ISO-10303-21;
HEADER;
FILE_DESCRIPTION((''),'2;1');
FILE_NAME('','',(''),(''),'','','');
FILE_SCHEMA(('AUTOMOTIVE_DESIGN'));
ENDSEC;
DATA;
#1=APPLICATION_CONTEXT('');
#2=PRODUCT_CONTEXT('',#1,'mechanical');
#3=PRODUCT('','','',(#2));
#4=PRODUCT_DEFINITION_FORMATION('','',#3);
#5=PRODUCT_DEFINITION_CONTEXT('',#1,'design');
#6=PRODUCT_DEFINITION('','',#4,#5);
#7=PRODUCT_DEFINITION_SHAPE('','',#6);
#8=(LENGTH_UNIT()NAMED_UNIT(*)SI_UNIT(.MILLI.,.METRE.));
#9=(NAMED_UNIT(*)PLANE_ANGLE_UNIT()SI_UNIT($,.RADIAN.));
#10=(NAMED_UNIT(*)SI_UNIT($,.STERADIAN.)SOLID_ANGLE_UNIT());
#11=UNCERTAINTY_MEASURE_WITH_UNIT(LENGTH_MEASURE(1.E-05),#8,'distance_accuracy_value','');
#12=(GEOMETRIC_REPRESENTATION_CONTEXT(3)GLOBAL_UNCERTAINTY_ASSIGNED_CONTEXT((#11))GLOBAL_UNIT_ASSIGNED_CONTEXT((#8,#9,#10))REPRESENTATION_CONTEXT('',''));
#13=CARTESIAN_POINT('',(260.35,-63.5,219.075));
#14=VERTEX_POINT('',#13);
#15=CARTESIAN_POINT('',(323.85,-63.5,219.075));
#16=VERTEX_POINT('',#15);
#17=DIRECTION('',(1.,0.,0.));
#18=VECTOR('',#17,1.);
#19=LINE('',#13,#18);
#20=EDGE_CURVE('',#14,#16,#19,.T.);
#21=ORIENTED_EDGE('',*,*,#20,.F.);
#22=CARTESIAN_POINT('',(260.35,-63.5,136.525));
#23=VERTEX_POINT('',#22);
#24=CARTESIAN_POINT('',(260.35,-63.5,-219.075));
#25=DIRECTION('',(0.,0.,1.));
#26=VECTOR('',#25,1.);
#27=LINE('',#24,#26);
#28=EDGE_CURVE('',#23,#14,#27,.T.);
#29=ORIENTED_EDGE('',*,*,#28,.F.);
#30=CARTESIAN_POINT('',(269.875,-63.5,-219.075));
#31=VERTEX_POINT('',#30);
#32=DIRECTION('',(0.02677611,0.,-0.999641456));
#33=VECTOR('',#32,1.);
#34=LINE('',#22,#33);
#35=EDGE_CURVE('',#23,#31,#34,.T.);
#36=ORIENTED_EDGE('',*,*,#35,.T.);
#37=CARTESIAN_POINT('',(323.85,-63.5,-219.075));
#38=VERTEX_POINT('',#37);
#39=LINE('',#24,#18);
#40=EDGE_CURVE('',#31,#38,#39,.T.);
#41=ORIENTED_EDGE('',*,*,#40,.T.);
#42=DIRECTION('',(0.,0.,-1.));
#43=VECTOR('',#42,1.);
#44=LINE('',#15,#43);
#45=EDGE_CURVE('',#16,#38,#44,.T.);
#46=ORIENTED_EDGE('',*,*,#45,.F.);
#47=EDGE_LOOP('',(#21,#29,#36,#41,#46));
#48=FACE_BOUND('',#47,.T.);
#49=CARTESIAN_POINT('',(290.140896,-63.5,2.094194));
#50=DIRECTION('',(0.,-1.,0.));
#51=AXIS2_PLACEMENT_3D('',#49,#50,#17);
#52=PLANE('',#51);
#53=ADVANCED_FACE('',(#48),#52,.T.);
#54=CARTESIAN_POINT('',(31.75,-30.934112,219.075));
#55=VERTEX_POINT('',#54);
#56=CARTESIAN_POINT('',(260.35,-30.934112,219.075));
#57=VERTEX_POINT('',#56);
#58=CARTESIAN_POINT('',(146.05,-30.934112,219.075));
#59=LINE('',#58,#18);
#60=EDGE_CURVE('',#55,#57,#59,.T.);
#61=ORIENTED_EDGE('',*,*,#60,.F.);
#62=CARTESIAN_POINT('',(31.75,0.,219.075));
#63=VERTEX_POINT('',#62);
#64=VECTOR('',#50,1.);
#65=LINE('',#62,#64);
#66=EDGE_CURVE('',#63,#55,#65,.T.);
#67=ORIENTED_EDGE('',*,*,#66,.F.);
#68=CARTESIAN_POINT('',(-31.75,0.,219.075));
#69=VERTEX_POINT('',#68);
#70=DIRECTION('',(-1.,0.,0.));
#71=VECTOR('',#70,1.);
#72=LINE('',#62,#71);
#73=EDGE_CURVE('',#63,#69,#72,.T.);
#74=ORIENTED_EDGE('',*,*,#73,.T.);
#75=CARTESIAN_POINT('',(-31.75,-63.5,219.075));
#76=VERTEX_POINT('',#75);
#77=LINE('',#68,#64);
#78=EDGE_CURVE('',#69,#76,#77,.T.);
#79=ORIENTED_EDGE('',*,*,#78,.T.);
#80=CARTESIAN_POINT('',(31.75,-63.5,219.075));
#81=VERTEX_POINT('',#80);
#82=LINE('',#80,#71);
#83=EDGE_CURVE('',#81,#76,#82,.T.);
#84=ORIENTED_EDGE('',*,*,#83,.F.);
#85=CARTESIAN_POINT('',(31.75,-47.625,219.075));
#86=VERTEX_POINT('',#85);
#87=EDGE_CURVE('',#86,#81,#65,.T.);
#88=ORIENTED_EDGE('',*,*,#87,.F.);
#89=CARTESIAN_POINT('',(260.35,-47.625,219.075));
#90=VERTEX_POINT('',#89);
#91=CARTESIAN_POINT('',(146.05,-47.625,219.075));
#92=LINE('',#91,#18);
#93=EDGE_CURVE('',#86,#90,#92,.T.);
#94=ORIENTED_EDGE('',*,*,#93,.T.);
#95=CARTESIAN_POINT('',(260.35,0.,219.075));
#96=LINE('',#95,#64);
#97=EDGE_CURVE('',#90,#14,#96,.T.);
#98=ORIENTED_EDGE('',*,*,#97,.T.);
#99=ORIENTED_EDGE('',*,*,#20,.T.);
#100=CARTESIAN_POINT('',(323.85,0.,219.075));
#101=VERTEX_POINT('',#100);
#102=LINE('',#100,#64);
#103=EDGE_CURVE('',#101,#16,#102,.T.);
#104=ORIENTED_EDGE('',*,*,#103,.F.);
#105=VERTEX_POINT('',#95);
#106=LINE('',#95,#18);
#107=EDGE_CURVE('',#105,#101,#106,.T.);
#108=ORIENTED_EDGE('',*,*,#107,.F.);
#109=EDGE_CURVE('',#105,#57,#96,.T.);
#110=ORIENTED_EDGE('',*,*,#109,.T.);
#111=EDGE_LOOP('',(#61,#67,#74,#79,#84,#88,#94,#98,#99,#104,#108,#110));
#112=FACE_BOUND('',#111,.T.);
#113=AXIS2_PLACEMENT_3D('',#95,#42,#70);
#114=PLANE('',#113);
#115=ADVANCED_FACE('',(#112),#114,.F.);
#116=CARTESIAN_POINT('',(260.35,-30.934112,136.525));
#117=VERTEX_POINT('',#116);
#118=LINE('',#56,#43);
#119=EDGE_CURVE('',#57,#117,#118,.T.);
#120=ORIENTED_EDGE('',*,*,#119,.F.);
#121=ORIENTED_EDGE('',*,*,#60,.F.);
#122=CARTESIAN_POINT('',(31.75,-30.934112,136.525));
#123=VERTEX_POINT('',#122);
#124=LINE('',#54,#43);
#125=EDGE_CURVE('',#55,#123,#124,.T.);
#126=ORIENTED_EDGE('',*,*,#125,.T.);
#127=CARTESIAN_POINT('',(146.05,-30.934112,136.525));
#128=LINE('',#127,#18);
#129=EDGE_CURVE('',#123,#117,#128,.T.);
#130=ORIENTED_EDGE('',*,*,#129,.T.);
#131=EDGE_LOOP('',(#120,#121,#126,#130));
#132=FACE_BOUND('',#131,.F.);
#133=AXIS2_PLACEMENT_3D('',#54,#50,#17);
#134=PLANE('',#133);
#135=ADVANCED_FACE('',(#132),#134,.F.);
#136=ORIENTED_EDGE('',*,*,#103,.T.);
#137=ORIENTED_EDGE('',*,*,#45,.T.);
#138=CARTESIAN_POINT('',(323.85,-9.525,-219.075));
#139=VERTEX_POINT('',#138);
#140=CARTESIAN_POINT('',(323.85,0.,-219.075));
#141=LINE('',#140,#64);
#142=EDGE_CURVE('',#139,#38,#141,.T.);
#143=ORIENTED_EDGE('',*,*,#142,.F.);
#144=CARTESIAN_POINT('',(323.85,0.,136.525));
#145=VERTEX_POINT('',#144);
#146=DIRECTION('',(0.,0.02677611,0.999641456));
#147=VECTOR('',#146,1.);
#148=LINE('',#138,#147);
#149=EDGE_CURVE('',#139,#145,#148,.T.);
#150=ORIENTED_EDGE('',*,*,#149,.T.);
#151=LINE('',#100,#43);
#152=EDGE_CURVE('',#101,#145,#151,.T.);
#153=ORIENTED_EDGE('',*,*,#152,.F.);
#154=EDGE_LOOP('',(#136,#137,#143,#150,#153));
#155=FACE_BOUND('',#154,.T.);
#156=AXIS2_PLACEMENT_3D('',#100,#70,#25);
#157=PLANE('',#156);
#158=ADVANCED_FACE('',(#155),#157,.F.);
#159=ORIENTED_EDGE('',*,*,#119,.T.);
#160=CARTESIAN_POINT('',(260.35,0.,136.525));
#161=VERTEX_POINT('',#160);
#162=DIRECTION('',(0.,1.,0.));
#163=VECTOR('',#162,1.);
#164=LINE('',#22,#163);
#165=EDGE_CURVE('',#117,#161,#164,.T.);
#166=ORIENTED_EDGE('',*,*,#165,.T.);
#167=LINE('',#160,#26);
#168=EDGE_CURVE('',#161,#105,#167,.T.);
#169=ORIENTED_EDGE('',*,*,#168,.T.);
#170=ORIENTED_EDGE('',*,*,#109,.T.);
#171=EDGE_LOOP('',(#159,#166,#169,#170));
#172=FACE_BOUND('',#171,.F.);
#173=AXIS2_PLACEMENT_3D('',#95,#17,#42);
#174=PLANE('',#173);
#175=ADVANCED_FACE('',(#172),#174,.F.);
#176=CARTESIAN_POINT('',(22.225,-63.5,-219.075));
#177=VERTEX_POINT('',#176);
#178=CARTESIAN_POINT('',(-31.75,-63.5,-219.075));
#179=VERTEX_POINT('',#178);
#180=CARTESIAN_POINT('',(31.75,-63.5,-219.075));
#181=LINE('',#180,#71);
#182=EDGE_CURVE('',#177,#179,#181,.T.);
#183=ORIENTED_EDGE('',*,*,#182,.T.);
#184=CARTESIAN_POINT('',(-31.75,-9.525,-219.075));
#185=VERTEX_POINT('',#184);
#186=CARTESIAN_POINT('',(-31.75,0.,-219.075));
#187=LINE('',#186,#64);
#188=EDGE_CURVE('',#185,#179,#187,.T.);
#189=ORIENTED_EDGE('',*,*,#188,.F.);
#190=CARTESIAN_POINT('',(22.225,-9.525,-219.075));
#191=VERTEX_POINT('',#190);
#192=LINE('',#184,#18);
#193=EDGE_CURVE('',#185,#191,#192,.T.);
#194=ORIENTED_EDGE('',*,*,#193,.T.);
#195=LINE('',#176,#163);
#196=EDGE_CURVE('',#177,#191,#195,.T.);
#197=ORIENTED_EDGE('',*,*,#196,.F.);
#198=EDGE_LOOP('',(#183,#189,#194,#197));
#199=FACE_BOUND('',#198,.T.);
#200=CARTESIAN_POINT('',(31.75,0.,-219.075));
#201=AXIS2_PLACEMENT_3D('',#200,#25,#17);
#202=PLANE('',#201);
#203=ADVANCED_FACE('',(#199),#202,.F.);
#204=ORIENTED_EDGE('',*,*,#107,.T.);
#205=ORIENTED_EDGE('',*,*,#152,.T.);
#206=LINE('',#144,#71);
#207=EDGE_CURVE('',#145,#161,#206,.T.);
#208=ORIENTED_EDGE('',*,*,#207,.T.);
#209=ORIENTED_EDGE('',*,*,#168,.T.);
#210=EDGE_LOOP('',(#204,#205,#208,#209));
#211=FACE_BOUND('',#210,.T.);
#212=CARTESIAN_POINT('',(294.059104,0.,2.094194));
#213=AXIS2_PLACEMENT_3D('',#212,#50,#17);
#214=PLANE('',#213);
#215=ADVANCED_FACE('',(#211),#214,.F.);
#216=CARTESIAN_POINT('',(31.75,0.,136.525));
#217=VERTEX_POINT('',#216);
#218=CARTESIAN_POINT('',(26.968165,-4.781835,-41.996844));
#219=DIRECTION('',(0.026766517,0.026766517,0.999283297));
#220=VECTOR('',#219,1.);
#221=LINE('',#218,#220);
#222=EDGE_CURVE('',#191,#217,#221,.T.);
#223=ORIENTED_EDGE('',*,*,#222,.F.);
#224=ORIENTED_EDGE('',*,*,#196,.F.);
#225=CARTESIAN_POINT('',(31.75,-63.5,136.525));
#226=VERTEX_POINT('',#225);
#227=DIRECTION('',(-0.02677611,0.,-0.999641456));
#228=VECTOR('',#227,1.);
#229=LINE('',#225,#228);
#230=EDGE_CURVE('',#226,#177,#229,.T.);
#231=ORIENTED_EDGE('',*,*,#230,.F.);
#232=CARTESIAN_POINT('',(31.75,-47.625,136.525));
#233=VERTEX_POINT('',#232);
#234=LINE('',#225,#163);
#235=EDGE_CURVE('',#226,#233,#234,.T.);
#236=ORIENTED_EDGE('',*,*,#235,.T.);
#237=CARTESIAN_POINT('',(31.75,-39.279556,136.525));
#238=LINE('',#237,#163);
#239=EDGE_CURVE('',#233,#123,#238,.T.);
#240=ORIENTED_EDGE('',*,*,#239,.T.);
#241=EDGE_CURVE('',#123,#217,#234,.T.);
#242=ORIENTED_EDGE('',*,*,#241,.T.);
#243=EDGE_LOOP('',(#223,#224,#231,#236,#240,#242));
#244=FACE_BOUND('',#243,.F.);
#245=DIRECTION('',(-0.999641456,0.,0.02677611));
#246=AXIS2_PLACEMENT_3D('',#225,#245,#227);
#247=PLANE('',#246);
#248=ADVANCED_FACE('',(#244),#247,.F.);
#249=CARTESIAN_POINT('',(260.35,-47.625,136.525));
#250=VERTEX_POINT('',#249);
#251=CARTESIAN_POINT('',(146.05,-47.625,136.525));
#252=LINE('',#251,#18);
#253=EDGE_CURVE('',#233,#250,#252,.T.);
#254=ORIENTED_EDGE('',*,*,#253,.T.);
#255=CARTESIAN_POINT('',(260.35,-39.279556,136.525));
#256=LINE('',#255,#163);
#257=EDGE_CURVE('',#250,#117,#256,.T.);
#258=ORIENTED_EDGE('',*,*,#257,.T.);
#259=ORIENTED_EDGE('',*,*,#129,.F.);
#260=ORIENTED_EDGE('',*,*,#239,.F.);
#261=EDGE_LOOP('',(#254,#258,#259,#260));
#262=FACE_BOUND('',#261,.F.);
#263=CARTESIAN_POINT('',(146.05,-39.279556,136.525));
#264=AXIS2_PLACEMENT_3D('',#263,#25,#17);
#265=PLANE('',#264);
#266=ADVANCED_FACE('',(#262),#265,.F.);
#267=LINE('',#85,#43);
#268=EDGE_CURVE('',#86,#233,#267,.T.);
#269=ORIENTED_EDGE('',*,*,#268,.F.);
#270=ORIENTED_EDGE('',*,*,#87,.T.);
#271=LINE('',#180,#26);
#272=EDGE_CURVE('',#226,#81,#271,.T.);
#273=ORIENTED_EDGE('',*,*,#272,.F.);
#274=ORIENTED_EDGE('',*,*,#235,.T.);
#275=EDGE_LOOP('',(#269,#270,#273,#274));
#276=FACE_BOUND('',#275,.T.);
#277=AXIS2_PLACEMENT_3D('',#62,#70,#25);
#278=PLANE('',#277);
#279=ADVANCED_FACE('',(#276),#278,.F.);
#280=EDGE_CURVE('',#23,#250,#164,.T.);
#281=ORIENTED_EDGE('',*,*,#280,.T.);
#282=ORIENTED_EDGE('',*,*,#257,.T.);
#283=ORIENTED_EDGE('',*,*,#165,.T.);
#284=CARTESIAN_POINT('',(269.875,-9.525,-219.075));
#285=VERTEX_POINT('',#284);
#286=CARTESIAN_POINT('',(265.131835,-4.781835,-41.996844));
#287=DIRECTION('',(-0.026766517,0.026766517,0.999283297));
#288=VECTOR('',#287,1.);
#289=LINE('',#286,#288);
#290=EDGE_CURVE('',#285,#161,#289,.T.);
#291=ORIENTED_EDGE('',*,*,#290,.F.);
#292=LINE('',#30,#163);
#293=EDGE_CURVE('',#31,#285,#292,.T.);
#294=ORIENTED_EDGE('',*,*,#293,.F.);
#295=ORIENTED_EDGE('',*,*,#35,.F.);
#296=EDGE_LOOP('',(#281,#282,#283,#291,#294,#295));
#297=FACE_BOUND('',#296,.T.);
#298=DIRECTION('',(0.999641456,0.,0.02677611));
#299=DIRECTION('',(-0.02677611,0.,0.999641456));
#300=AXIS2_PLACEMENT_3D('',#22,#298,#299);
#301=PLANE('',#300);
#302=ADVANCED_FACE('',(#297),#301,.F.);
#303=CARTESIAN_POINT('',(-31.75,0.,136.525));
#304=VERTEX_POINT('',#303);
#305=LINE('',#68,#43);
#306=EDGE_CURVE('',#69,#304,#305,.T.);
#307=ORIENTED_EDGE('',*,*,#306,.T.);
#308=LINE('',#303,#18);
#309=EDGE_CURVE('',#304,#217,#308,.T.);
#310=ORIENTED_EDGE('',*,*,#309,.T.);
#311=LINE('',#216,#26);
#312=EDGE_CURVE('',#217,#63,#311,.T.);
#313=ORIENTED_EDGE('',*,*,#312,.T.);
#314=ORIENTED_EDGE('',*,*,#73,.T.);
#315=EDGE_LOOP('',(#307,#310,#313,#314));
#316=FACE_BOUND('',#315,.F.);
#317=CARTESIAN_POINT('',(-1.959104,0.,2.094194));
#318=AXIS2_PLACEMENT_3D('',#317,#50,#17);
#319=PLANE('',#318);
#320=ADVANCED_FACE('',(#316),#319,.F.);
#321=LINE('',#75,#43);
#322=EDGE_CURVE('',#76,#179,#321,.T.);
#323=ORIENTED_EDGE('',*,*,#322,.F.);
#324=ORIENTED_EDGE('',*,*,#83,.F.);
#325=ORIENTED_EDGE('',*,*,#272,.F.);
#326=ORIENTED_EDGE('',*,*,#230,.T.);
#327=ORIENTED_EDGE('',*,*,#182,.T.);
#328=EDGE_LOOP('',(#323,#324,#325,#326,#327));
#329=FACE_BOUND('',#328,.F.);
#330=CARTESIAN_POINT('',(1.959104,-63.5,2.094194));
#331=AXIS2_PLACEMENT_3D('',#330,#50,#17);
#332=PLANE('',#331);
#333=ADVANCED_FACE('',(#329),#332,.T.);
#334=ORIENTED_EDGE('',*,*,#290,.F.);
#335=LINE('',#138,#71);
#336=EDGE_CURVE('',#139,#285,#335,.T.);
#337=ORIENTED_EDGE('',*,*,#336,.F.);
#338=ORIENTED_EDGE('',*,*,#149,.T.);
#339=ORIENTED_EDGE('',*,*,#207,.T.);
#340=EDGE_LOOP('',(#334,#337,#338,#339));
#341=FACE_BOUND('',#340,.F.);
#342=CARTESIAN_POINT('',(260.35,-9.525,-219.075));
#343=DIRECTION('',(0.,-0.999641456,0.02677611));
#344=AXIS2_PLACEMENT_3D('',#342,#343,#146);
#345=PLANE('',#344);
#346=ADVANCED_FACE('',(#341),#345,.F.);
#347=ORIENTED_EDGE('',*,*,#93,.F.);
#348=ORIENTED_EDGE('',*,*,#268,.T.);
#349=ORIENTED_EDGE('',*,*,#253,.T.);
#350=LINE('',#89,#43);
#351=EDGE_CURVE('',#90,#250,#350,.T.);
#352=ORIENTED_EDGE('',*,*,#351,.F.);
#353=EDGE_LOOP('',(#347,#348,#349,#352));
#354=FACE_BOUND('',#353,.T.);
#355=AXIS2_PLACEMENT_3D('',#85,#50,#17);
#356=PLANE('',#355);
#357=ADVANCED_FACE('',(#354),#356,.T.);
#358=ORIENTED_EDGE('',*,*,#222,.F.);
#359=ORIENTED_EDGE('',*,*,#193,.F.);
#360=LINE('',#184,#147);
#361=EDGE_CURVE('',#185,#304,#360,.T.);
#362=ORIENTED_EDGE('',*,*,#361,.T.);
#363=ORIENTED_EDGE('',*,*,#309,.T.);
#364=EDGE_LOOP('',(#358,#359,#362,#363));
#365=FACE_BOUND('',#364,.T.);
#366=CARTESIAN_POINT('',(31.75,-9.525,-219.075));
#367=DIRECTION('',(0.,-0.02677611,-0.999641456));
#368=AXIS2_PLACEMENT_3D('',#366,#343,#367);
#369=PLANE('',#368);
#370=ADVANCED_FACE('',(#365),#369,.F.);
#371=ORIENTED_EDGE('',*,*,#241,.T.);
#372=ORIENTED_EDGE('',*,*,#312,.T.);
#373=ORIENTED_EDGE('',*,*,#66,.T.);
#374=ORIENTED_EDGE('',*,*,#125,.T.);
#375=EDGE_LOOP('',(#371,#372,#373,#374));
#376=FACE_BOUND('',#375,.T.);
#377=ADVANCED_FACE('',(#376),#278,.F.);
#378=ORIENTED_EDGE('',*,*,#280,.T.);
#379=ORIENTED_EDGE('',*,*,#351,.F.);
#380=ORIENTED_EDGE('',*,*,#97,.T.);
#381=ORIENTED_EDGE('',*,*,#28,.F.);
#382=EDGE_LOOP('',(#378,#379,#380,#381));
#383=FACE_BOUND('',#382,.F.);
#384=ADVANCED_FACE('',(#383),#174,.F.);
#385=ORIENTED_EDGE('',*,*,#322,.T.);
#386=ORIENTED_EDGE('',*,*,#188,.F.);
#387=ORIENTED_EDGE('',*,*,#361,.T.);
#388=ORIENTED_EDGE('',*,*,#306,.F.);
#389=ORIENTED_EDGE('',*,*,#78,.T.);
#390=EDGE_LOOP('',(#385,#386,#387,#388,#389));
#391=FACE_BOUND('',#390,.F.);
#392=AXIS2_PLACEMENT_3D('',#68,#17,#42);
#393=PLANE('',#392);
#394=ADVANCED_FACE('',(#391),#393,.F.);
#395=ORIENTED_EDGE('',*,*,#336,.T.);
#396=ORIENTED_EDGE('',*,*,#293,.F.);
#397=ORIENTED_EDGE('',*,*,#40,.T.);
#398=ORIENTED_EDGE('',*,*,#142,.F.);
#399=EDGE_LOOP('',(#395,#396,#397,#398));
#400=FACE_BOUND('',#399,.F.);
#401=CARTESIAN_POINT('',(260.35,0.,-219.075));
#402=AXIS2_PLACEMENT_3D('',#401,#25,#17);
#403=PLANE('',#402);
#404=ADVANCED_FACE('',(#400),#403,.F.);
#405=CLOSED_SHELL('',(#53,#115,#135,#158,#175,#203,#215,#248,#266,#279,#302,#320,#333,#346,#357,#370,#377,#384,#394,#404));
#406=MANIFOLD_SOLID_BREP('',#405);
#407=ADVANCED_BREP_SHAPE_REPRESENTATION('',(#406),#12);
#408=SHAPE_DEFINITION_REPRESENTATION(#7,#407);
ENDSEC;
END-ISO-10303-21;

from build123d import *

# Parameters (mm, degrees)
F1_DEPTH  = 63.5
F3_DEPTH  = 63.5
F4_W      = 228.6
F4_H      = 16.6908878535
F6_DEPTH  = 82.55
F12_DEPTH = 63.5


with BuildPart() as f1:
    # F0 (on Front) → F1 (new body)
    with BuildSketch(Plane.XZ):
        Polygon((-31.75, -219.075), (22.225, -219.075), (31.75, 136.525), (31.75, 219.075), (-31.75, 219.075), align=None)
    extrude(amount=F1_DEPTH)

    # F2 (on face) → F3 (cut)
    with BuildSketch(Plane(origin=(-31.75, 0, 0), x_dir=(0, -1, 0), z_dir=(-1, 0, 0))):
        Polygon((9.525, -219.075), (0, 136.525), (0, -219.075), align=None)
    extrude(amount=-F3_DEPTH, mode=Mode.SUBTRACT)

    # F5: F1 across plane


with BuildPart() as f1_1:
    add(f1.part)
    add(f1.part.mirror(Plane.YZ))

    # F4 (on face) → F6 (join)
    with BuildSketch(Plane.XY.offset(219.075)):
        with Locations((146.05, -39.2795560732)):
            Rectangle(F4_W, F4_H)
    extrude(amount=-F6_DEPTH)

    # F11 (on face) → F12 (cut)
    with BuildSketch(Plane.XZ.offset(63.5)):
        Polygon((31.75, -219.075), (31.75, 136.525), (22.225, -219.075), align=None)
    extrude(amount=-F12_DEPTH, mode=Mode.SUBTRACT)

    # F13: F1 across plane


with BuildPart() as f1_2:
    add(f1_1.part)
    add(f1_1.part.mirror(Plane(origin=(146.05, -47.625, 219.075), x_dir=(0, 1, 0), z_dir=(1, 0, 0))))


solid = f1_2.part
